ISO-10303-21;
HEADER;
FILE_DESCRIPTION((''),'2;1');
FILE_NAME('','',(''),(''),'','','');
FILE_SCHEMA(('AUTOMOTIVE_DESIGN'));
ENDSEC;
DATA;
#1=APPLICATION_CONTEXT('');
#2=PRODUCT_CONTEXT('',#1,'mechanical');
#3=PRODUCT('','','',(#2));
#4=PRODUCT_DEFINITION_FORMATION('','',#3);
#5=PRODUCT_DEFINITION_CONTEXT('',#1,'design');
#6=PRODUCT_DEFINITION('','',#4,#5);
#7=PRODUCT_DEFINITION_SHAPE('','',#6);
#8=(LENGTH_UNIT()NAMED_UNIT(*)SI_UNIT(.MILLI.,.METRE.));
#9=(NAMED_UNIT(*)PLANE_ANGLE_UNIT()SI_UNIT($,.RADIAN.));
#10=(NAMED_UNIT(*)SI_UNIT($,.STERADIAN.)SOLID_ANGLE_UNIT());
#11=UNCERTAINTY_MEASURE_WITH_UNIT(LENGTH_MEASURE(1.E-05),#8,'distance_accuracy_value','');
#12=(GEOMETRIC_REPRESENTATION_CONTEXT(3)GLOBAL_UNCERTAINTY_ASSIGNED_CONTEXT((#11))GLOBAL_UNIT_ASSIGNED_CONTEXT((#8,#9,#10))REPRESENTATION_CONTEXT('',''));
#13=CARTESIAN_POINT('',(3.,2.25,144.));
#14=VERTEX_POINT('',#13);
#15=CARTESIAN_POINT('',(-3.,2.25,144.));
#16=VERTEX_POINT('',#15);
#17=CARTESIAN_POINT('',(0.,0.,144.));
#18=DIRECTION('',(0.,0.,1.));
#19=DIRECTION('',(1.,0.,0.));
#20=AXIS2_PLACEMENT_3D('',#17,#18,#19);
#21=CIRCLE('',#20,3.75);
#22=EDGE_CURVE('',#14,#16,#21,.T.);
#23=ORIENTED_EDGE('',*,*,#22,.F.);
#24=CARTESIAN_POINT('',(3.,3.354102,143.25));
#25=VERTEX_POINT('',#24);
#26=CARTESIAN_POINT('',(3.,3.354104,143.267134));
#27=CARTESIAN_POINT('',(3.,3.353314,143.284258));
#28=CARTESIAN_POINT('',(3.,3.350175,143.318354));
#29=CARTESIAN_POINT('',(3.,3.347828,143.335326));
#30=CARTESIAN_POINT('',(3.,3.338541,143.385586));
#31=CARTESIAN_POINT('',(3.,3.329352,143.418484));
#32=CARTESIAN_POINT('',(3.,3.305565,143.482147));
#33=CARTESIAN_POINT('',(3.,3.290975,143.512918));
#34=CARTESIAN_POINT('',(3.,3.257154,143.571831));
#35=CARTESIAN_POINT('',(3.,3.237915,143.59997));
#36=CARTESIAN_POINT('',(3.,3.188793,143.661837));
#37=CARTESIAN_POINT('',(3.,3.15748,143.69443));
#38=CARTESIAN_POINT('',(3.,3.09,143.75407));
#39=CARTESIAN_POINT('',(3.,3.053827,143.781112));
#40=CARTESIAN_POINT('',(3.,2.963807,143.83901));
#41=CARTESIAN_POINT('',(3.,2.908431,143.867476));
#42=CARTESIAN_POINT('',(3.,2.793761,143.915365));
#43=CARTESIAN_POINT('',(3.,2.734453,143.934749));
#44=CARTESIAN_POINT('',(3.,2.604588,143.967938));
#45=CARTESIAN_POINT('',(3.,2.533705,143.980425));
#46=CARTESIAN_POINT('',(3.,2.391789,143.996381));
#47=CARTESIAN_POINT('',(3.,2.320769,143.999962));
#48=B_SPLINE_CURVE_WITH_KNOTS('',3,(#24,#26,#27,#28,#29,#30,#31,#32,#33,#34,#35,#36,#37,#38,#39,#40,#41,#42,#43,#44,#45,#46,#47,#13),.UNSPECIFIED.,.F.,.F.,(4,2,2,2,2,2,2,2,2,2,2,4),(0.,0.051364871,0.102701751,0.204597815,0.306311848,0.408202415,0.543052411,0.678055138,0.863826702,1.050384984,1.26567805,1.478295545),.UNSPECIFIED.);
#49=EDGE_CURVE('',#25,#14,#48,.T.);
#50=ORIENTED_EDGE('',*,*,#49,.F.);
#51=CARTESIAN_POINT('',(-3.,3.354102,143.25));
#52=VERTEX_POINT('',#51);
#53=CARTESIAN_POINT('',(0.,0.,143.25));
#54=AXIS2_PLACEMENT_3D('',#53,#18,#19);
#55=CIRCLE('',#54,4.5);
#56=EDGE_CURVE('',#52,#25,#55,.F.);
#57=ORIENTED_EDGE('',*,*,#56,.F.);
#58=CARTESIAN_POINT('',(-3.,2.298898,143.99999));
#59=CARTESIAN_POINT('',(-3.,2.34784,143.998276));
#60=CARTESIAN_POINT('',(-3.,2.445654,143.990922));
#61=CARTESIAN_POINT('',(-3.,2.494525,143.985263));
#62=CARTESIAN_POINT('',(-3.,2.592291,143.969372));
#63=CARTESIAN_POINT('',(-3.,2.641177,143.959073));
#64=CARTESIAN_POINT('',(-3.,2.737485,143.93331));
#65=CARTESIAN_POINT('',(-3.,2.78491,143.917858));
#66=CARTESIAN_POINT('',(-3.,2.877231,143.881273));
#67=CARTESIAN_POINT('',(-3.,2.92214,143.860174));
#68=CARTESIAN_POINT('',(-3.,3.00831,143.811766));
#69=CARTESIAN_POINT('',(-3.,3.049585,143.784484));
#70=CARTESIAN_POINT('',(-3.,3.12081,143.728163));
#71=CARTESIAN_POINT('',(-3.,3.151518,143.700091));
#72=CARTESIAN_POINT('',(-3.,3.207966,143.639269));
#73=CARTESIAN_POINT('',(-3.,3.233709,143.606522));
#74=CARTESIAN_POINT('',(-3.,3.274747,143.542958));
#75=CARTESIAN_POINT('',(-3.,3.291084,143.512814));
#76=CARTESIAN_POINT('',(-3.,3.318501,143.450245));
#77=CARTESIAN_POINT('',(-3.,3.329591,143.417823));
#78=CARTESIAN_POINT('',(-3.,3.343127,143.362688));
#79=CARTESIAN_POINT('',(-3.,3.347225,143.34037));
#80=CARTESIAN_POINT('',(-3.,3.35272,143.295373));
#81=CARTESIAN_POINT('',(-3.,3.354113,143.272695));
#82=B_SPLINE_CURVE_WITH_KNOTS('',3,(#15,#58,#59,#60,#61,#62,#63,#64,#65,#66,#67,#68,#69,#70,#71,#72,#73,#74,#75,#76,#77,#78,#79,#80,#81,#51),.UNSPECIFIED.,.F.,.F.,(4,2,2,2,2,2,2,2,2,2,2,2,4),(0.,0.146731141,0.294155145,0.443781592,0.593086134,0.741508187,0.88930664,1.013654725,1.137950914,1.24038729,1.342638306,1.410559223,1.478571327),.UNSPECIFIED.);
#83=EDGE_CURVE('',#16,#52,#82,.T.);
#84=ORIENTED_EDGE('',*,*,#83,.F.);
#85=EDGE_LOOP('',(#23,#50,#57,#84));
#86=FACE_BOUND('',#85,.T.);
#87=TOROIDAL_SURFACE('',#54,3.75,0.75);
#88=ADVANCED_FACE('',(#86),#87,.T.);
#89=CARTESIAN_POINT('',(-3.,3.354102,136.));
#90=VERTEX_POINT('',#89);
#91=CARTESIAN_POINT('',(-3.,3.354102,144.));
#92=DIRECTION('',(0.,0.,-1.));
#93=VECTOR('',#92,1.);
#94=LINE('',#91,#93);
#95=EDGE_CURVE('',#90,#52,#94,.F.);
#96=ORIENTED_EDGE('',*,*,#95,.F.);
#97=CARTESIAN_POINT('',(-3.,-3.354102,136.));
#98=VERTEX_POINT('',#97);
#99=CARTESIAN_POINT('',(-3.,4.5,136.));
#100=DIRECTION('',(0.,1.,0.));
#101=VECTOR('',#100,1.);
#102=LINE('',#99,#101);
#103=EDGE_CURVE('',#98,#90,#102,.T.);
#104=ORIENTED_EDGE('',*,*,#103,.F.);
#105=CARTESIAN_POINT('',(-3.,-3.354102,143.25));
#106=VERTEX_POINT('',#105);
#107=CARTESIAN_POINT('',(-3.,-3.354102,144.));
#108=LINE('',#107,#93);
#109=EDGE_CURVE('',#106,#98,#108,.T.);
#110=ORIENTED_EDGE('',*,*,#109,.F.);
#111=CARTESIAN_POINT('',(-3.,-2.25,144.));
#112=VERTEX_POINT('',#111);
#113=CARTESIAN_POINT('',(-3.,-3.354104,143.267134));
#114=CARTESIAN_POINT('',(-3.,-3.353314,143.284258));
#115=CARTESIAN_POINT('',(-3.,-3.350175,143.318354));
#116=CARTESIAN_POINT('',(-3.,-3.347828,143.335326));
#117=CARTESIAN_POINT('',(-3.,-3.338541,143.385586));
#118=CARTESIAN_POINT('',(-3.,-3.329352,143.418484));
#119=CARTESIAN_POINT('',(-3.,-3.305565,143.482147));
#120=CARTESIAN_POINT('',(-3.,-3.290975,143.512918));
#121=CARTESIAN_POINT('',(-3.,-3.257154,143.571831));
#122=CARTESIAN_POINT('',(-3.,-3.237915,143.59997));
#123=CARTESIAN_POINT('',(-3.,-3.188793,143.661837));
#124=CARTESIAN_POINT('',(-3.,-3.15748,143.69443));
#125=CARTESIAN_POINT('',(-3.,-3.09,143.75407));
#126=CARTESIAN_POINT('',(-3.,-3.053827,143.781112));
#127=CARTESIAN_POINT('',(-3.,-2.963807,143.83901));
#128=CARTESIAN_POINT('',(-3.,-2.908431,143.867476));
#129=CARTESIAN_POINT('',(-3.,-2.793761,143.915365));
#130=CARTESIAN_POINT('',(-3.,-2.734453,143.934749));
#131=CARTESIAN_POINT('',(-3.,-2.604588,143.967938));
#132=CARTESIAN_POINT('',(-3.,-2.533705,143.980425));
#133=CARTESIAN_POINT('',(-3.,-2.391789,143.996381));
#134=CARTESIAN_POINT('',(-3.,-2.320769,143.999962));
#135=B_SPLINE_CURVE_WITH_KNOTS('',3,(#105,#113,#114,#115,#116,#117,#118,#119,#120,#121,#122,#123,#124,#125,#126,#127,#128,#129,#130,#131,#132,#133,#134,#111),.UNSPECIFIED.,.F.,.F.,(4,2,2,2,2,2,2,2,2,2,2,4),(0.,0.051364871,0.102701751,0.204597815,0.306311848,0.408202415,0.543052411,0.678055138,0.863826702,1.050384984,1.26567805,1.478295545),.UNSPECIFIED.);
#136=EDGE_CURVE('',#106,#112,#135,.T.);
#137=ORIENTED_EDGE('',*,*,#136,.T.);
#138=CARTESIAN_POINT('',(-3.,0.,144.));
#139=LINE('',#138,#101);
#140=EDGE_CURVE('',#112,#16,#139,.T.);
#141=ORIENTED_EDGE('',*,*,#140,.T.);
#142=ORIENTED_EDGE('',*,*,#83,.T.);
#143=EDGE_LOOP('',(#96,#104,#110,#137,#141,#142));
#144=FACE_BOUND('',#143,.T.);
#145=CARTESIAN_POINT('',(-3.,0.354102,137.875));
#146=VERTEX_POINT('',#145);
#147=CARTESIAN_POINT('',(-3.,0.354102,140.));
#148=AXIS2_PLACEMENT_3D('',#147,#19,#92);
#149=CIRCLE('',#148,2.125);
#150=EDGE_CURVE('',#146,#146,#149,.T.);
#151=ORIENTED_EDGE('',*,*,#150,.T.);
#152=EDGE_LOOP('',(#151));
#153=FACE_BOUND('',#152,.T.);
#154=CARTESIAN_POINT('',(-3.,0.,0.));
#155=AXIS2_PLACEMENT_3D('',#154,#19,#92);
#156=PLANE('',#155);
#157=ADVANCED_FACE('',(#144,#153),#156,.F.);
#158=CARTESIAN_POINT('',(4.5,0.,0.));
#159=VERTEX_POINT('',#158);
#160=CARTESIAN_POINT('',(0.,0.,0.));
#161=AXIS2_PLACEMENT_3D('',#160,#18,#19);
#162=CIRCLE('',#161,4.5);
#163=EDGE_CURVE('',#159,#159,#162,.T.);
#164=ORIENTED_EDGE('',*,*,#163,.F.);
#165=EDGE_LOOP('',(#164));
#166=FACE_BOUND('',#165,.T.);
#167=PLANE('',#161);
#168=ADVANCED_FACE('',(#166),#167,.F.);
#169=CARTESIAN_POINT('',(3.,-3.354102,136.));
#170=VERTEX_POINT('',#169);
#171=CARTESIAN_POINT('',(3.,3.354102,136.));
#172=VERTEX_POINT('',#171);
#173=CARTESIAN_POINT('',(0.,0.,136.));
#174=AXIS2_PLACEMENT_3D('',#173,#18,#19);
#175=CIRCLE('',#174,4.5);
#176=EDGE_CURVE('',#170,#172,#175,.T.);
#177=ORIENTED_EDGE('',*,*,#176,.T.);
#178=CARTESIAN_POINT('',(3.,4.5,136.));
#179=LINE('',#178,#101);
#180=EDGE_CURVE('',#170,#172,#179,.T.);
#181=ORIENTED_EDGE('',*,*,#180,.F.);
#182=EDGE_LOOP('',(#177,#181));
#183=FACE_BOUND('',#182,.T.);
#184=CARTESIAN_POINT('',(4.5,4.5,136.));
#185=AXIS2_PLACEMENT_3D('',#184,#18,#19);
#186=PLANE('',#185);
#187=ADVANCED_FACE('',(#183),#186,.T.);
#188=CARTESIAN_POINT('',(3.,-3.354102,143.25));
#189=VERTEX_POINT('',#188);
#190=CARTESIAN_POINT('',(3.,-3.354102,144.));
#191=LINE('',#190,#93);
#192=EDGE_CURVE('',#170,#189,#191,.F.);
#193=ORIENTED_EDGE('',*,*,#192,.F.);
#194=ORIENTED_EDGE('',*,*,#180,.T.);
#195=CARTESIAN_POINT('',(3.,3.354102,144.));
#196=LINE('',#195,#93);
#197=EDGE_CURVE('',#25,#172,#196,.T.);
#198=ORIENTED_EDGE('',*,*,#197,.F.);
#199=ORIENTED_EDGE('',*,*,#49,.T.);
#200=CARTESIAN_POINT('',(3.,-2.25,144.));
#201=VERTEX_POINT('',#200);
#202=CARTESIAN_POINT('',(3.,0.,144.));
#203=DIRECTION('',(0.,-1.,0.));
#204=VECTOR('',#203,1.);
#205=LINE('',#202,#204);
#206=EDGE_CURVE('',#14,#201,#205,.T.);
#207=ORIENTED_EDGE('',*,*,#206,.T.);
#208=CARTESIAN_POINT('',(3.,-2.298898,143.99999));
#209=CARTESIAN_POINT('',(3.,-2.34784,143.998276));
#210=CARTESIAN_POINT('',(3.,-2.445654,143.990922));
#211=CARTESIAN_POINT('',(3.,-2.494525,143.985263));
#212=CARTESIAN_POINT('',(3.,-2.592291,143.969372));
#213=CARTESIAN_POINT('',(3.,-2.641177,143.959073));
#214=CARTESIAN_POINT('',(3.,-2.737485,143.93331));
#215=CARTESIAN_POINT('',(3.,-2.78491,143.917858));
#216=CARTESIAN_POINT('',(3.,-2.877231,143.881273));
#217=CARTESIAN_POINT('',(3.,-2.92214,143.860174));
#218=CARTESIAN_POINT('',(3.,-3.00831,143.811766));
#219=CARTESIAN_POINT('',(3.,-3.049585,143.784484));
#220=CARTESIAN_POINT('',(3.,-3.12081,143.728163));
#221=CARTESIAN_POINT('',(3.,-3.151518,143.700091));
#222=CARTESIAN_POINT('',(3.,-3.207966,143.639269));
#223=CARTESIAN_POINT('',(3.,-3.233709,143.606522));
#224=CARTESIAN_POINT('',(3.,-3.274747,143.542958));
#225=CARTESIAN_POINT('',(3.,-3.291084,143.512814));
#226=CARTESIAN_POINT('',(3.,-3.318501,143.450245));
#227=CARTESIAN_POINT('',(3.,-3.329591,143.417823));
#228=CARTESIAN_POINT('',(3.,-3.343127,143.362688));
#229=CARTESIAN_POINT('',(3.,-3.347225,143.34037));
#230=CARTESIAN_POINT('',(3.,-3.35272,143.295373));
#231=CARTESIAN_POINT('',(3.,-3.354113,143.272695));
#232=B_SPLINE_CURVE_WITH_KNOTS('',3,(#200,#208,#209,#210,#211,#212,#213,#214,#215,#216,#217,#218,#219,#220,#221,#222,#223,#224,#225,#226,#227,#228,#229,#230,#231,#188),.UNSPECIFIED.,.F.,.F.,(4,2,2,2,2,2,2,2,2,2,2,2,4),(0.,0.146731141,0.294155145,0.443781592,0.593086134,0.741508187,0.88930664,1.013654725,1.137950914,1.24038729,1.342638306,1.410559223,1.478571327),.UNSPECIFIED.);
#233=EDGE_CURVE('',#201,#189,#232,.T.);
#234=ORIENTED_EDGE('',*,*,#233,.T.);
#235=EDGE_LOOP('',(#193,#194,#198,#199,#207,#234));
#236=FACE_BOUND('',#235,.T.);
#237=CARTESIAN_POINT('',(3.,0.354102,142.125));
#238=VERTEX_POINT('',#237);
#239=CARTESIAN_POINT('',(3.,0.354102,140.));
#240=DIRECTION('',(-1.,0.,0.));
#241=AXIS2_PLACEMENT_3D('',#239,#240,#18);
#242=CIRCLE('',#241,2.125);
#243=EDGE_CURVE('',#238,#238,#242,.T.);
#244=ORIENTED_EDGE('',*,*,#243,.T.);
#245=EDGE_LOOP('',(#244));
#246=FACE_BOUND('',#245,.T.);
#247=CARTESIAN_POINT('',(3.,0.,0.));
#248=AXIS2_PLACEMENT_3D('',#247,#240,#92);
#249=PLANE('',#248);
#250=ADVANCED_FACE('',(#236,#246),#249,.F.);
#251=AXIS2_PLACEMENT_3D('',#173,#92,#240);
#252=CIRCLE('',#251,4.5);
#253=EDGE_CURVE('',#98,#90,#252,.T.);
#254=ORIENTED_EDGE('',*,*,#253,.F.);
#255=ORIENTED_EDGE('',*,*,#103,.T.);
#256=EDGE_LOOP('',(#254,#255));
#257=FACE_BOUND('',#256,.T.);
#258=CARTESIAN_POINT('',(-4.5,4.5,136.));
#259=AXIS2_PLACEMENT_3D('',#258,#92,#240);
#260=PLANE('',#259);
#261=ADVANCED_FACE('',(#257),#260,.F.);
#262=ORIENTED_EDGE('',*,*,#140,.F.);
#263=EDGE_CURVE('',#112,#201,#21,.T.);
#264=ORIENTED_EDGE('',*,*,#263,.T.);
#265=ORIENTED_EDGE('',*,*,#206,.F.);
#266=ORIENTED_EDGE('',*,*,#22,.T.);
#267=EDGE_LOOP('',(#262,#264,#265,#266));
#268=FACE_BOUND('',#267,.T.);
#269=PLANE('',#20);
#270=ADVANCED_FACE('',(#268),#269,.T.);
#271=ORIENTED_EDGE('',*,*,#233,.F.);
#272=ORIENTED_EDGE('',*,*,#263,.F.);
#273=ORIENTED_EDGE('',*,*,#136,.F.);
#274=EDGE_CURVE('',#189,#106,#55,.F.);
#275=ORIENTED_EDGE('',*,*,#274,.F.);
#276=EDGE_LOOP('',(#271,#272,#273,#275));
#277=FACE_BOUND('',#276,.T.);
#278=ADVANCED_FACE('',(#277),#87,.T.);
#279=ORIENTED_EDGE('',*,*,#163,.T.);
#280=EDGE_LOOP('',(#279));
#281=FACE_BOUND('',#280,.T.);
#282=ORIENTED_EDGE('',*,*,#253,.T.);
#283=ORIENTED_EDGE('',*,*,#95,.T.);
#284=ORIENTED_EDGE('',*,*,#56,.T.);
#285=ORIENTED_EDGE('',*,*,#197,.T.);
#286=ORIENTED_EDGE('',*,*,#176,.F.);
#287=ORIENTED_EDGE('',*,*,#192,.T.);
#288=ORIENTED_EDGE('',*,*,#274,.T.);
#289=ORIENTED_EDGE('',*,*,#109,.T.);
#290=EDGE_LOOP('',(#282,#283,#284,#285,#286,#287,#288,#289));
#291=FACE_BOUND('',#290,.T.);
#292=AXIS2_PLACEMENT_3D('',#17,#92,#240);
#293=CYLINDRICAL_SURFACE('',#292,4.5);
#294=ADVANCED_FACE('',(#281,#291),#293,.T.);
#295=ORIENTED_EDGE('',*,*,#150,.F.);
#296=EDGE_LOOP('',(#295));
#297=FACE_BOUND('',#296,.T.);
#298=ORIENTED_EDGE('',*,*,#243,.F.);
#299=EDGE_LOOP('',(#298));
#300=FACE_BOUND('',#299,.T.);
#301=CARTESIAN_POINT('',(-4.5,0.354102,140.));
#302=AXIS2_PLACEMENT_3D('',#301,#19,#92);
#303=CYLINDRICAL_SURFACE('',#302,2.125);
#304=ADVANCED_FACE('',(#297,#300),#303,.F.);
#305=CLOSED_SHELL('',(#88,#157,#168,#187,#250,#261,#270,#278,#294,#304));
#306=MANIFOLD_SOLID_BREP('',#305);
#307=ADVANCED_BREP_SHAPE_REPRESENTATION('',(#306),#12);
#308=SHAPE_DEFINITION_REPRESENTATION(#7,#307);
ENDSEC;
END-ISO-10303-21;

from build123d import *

# Parameters (mm, degrees)
SKETCH1_R               = 4.5
BOSS_EXTRUDE1_DEPTH     = 144
CUT_EXTRUDE1_START      = -3
SKETCH3_W               = 8
SKETCH3_H               = 9
CUT_EXTRUDE1_DEPTH      = 1.5
FILLET1_R               = 0.75
CUT_EXTRUDE2_DEPTH      = 145.265380565
CUT_EXTRUDE2_DEPTH_BACK = 145.265380565
SKETCH4_R               = 2.125


with BuildPart() as part:
    # Sketch1 → Boss-Extrude1 (new body)
    with BuildSketch(Plane.XY):
        Circle(SKETCH1_R)
    extrude(amount=BOSS_EXTRUDE1_DEPTH)

    # Sketch3 → Cut-Extrude1 (cut)
    with BuildSketch(Plane(origin=(0, 0, 0), x_dir=(0, 0, -1), z_dir=(1, 0, 0)).offset(CUT_EXTRUDE1_START)):
        with Locations((-140, 0)):
            Rectangle(SKETCH3_W, SKETCH3_H)
    cut_extrude1 = extrude(amount=-CUT_EXTRUDE1_DEPTH, mode=Mode.SUBTRACT)

    # Mirror1: Cut-Extrude1 across plane
    add(cut_extrude1.mirror(Plane(origin=(0, 0, 0), x_dir=(0, 0, 1), z_dir=(1, 0, 0))), mode=Mode.SUBTRACT)

    # Fillet1
    fillet1_edges = [part.edges().sort_by_distance(p)[0] for p in [
        (0, 4.5, 144),
        (0, -4.5, 144),
    ]]
    fillet(fillet1_edges, radius=FILLET1_R)

    # Sketch4 → Cut-Extrude2 (cut, two sides: drawn at the far end of the back side and taken through both)
    with BuildSketch(Plane(origin=(3, 0, 0), x_dir=(0, 0, -1), z_dir=(1, 0, 0)).offset(-CUT_EXTRUDE2_DEPTH_BACK)):
        with Locations((-140, 0.354101966)):
            Circle(SKETCH4_R)
    extrude(amount=CUT_EXTRUDE2_DEPTH + CUT_EXTRUDE2_DEPTH_BACK, mode=Mode.SUBTRACT)


solid = part.part
